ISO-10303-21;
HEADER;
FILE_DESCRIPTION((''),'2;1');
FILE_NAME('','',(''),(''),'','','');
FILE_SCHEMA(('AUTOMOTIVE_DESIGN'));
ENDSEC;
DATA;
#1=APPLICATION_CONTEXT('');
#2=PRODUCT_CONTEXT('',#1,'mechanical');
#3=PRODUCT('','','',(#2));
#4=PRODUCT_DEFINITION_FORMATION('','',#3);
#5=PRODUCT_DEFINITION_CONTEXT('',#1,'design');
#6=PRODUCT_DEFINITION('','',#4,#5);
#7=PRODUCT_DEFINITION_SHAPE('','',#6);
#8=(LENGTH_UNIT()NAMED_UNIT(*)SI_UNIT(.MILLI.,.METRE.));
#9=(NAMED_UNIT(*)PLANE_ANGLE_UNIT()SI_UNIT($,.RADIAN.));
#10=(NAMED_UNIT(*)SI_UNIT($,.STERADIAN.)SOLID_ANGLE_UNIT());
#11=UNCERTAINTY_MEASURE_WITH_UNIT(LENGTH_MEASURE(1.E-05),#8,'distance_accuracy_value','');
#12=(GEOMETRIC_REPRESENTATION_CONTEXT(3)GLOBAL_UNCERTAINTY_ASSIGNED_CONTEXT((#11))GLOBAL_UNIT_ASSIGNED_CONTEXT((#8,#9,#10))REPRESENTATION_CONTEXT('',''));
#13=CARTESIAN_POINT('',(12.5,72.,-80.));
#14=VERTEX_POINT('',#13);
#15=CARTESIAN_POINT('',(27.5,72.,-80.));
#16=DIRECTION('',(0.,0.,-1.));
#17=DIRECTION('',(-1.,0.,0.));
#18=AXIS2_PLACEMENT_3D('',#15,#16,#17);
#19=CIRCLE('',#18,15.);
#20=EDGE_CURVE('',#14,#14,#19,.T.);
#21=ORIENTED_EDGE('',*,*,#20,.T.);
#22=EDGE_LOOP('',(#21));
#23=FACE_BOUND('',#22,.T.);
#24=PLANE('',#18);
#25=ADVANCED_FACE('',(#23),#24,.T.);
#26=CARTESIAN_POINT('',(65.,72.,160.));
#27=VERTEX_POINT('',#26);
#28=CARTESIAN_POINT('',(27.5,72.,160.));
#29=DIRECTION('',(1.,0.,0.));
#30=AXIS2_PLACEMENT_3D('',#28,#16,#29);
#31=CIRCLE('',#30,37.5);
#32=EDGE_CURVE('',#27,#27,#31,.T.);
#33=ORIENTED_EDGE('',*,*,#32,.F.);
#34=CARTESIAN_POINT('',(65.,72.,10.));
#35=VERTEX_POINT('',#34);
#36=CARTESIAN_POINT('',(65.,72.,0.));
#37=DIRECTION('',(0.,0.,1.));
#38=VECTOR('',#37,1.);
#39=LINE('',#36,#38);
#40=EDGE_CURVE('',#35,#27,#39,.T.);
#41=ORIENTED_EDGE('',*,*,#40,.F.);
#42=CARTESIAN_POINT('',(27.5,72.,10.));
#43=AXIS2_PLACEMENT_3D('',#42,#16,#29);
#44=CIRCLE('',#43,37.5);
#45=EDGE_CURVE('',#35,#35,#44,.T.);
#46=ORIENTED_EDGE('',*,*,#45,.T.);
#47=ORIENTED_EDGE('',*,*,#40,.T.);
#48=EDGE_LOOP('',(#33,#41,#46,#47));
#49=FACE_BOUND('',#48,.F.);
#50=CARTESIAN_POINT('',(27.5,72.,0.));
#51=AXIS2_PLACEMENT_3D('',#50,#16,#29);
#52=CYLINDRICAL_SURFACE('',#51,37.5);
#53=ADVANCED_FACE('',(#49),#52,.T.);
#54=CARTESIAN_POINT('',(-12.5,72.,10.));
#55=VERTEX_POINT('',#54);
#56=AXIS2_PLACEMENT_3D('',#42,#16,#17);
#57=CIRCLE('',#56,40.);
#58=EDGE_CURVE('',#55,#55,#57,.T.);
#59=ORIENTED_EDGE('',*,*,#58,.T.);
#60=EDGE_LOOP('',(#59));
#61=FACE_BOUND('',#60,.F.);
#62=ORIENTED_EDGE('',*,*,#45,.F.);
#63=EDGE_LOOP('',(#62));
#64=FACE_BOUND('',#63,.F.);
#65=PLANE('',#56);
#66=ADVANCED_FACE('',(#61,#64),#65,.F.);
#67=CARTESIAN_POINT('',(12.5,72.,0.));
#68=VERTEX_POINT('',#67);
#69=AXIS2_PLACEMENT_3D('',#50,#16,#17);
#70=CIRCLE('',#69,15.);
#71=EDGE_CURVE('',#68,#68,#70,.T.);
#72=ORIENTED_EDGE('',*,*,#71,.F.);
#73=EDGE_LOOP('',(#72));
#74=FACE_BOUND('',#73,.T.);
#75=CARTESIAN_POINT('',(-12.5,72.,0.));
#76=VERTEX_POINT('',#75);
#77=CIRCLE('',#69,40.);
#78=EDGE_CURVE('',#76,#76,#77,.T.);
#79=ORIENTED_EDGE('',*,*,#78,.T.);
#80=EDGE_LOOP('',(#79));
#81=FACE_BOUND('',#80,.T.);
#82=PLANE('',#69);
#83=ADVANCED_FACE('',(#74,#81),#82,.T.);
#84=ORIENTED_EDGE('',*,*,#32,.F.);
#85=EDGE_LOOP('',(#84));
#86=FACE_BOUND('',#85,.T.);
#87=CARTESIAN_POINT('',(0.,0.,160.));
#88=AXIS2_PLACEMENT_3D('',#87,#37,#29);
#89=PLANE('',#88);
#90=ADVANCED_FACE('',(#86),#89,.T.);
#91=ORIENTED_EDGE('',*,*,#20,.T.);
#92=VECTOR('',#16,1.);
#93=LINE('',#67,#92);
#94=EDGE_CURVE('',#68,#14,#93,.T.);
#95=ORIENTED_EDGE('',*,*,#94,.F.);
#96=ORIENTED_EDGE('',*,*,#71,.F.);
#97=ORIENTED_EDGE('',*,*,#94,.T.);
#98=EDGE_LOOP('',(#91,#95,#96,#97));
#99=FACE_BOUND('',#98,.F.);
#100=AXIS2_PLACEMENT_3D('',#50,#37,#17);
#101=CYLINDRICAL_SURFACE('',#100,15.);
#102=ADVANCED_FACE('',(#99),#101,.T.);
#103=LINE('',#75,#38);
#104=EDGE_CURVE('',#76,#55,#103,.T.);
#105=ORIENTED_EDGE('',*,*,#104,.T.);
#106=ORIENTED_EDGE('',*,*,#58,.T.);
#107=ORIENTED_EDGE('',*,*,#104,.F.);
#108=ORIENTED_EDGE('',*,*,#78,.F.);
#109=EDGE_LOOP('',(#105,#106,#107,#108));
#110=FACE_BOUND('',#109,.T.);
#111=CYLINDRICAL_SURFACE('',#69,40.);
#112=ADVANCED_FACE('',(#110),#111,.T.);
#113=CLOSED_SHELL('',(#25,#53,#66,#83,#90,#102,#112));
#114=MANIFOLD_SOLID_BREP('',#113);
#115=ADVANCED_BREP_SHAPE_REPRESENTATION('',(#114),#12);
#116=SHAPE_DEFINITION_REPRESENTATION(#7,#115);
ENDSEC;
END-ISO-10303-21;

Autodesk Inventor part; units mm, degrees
ref_plane "YZ Plane" through (0, 0, 0) normal (1, 0, 0) x (0, 1, 0)
ref_plane "XZ Plane" through (0, 0, 0) normal (0, 1, 0) x (-1, 0, 0)
ref_plane "XY Plane" through (0, 0, 0) normal (0, 0, 1) x (1, 0, 0)
sketch "草圖1" plane through (0, 0, 0) normal (0, 0, 1) x (1, 0, 0)
  circle A0 centre (0, 0) radius 95
  circle A1 centre (27.5, 72) radius 37.5
  dimension "d0" = 190
  dimension "d3" = 75
extrude "擠出1" add sketch "草圖1" along normal blind 160 contours A1 A0 | A0 A1 picked at (37.7638, 69.1742) picked at (30.5515, 96.5803)
sketch "草圖2" plane through (27.5, 72, 0) normal (0, 0, -1) x (-1, 0, 0)
  circle A0 centre (0, 0) radius 40
  point P0 (27.5, -72)
  dimension "d6" = 80
extrude "擠出2" add sketch "草圖2" against normal blind 10
sketch "草圖3" plane through (27.5, 72, 0) normal (0, 0, -1) x (-1, 0, 0)
  circle A0 centre (0, 0) radius 15
  point P0 (27.5, -72)
  dimension "d9" = 30
extrude "擠出3" add sketch "草圖3" along normal blind 80
properties part number "MotorPart2"
